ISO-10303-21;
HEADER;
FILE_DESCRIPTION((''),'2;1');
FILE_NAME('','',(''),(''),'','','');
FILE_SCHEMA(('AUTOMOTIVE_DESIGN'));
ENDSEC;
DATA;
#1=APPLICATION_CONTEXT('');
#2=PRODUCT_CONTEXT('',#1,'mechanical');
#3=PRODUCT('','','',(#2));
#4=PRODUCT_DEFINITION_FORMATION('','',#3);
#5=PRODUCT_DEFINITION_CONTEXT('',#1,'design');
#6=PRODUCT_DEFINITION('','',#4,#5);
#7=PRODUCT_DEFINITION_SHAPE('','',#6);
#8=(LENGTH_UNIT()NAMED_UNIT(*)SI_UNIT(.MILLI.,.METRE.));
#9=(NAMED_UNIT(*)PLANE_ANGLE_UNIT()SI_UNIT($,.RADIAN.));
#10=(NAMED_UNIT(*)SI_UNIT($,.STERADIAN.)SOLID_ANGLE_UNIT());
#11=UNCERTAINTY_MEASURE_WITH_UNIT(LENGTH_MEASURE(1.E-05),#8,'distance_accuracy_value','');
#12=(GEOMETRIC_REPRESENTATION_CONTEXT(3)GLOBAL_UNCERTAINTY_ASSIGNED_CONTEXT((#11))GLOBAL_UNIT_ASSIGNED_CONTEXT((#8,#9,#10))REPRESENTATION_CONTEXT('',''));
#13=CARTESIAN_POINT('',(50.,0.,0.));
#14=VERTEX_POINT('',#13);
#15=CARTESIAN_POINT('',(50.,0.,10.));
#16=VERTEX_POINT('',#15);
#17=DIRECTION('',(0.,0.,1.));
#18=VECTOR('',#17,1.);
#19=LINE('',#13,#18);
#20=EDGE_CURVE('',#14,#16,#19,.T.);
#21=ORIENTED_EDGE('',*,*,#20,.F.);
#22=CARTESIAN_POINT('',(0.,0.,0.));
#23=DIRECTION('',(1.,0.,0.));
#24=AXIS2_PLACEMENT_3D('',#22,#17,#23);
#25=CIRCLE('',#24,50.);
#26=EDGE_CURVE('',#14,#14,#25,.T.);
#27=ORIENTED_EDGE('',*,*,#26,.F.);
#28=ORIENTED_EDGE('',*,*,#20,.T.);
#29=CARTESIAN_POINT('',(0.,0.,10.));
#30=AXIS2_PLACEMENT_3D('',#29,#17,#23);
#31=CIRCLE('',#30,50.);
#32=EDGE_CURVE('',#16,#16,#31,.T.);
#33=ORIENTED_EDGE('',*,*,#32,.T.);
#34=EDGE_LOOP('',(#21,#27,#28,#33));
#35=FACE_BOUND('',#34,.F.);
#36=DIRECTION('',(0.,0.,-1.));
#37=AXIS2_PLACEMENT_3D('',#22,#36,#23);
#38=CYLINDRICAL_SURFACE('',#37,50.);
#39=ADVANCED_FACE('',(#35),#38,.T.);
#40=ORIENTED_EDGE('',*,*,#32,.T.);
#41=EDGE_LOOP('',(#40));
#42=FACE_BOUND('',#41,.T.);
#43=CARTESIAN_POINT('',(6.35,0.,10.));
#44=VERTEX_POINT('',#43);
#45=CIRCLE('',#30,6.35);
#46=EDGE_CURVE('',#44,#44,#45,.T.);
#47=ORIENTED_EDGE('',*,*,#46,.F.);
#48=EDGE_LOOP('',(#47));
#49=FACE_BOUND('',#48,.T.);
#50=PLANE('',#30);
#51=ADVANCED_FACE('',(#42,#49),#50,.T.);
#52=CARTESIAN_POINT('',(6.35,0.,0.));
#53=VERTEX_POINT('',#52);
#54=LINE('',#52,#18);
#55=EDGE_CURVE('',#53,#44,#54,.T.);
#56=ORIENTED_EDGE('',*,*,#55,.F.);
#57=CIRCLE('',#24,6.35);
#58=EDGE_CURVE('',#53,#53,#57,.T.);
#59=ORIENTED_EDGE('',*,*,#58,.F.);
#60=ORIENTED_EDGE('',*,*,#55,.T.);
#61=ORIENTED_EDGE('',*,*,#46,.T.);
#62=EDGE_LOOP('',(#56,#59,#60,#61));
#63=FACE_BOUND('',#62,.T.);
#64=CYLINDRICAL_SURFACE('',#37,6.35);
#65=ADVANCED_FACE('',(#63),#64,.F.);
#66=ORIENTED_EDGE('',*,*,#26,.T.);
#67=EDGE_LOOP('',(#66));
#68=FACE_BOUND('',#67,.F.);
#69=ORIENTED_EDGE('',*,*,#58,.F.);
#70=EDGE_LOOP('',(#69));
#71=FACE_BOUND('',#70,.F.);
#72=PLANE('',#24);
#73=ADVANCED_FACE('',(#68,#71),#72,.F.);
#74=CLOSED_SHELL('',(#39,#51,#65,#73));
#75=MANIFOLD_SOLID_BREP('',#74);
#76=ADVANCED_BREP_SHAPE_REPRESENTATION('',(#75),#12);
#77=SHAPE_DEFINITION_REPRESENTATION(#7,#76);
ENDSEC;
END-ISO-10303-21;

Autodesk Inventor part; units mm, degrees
ref_plane "YZ Plane" through (0, 0, 0) normal (1, 0, 0) x (0, 1, 0)
ref_plane "XZ Plane" through (0, 0, 0) normal (0, 1, 0) x (-1, 0, 0)
ref_plane "XY Plane" through (0, 0, 0) normal (0, 0, 1) x (1, 0, 0)
sketch "Sketch1" plane through (0, 0, 0) normal (0, 0, 1) x (1, 0, 0)
  circle A0 centre (0, 0) radius 50
  circle A1 centre (0, 0) radius 6.35
  dimension "d0" = 100
  dimension "d1" = 12.7
extrude "Extrusion1" add sketch "Sketch1" along normal blind 10
properties part number "Wheel"
